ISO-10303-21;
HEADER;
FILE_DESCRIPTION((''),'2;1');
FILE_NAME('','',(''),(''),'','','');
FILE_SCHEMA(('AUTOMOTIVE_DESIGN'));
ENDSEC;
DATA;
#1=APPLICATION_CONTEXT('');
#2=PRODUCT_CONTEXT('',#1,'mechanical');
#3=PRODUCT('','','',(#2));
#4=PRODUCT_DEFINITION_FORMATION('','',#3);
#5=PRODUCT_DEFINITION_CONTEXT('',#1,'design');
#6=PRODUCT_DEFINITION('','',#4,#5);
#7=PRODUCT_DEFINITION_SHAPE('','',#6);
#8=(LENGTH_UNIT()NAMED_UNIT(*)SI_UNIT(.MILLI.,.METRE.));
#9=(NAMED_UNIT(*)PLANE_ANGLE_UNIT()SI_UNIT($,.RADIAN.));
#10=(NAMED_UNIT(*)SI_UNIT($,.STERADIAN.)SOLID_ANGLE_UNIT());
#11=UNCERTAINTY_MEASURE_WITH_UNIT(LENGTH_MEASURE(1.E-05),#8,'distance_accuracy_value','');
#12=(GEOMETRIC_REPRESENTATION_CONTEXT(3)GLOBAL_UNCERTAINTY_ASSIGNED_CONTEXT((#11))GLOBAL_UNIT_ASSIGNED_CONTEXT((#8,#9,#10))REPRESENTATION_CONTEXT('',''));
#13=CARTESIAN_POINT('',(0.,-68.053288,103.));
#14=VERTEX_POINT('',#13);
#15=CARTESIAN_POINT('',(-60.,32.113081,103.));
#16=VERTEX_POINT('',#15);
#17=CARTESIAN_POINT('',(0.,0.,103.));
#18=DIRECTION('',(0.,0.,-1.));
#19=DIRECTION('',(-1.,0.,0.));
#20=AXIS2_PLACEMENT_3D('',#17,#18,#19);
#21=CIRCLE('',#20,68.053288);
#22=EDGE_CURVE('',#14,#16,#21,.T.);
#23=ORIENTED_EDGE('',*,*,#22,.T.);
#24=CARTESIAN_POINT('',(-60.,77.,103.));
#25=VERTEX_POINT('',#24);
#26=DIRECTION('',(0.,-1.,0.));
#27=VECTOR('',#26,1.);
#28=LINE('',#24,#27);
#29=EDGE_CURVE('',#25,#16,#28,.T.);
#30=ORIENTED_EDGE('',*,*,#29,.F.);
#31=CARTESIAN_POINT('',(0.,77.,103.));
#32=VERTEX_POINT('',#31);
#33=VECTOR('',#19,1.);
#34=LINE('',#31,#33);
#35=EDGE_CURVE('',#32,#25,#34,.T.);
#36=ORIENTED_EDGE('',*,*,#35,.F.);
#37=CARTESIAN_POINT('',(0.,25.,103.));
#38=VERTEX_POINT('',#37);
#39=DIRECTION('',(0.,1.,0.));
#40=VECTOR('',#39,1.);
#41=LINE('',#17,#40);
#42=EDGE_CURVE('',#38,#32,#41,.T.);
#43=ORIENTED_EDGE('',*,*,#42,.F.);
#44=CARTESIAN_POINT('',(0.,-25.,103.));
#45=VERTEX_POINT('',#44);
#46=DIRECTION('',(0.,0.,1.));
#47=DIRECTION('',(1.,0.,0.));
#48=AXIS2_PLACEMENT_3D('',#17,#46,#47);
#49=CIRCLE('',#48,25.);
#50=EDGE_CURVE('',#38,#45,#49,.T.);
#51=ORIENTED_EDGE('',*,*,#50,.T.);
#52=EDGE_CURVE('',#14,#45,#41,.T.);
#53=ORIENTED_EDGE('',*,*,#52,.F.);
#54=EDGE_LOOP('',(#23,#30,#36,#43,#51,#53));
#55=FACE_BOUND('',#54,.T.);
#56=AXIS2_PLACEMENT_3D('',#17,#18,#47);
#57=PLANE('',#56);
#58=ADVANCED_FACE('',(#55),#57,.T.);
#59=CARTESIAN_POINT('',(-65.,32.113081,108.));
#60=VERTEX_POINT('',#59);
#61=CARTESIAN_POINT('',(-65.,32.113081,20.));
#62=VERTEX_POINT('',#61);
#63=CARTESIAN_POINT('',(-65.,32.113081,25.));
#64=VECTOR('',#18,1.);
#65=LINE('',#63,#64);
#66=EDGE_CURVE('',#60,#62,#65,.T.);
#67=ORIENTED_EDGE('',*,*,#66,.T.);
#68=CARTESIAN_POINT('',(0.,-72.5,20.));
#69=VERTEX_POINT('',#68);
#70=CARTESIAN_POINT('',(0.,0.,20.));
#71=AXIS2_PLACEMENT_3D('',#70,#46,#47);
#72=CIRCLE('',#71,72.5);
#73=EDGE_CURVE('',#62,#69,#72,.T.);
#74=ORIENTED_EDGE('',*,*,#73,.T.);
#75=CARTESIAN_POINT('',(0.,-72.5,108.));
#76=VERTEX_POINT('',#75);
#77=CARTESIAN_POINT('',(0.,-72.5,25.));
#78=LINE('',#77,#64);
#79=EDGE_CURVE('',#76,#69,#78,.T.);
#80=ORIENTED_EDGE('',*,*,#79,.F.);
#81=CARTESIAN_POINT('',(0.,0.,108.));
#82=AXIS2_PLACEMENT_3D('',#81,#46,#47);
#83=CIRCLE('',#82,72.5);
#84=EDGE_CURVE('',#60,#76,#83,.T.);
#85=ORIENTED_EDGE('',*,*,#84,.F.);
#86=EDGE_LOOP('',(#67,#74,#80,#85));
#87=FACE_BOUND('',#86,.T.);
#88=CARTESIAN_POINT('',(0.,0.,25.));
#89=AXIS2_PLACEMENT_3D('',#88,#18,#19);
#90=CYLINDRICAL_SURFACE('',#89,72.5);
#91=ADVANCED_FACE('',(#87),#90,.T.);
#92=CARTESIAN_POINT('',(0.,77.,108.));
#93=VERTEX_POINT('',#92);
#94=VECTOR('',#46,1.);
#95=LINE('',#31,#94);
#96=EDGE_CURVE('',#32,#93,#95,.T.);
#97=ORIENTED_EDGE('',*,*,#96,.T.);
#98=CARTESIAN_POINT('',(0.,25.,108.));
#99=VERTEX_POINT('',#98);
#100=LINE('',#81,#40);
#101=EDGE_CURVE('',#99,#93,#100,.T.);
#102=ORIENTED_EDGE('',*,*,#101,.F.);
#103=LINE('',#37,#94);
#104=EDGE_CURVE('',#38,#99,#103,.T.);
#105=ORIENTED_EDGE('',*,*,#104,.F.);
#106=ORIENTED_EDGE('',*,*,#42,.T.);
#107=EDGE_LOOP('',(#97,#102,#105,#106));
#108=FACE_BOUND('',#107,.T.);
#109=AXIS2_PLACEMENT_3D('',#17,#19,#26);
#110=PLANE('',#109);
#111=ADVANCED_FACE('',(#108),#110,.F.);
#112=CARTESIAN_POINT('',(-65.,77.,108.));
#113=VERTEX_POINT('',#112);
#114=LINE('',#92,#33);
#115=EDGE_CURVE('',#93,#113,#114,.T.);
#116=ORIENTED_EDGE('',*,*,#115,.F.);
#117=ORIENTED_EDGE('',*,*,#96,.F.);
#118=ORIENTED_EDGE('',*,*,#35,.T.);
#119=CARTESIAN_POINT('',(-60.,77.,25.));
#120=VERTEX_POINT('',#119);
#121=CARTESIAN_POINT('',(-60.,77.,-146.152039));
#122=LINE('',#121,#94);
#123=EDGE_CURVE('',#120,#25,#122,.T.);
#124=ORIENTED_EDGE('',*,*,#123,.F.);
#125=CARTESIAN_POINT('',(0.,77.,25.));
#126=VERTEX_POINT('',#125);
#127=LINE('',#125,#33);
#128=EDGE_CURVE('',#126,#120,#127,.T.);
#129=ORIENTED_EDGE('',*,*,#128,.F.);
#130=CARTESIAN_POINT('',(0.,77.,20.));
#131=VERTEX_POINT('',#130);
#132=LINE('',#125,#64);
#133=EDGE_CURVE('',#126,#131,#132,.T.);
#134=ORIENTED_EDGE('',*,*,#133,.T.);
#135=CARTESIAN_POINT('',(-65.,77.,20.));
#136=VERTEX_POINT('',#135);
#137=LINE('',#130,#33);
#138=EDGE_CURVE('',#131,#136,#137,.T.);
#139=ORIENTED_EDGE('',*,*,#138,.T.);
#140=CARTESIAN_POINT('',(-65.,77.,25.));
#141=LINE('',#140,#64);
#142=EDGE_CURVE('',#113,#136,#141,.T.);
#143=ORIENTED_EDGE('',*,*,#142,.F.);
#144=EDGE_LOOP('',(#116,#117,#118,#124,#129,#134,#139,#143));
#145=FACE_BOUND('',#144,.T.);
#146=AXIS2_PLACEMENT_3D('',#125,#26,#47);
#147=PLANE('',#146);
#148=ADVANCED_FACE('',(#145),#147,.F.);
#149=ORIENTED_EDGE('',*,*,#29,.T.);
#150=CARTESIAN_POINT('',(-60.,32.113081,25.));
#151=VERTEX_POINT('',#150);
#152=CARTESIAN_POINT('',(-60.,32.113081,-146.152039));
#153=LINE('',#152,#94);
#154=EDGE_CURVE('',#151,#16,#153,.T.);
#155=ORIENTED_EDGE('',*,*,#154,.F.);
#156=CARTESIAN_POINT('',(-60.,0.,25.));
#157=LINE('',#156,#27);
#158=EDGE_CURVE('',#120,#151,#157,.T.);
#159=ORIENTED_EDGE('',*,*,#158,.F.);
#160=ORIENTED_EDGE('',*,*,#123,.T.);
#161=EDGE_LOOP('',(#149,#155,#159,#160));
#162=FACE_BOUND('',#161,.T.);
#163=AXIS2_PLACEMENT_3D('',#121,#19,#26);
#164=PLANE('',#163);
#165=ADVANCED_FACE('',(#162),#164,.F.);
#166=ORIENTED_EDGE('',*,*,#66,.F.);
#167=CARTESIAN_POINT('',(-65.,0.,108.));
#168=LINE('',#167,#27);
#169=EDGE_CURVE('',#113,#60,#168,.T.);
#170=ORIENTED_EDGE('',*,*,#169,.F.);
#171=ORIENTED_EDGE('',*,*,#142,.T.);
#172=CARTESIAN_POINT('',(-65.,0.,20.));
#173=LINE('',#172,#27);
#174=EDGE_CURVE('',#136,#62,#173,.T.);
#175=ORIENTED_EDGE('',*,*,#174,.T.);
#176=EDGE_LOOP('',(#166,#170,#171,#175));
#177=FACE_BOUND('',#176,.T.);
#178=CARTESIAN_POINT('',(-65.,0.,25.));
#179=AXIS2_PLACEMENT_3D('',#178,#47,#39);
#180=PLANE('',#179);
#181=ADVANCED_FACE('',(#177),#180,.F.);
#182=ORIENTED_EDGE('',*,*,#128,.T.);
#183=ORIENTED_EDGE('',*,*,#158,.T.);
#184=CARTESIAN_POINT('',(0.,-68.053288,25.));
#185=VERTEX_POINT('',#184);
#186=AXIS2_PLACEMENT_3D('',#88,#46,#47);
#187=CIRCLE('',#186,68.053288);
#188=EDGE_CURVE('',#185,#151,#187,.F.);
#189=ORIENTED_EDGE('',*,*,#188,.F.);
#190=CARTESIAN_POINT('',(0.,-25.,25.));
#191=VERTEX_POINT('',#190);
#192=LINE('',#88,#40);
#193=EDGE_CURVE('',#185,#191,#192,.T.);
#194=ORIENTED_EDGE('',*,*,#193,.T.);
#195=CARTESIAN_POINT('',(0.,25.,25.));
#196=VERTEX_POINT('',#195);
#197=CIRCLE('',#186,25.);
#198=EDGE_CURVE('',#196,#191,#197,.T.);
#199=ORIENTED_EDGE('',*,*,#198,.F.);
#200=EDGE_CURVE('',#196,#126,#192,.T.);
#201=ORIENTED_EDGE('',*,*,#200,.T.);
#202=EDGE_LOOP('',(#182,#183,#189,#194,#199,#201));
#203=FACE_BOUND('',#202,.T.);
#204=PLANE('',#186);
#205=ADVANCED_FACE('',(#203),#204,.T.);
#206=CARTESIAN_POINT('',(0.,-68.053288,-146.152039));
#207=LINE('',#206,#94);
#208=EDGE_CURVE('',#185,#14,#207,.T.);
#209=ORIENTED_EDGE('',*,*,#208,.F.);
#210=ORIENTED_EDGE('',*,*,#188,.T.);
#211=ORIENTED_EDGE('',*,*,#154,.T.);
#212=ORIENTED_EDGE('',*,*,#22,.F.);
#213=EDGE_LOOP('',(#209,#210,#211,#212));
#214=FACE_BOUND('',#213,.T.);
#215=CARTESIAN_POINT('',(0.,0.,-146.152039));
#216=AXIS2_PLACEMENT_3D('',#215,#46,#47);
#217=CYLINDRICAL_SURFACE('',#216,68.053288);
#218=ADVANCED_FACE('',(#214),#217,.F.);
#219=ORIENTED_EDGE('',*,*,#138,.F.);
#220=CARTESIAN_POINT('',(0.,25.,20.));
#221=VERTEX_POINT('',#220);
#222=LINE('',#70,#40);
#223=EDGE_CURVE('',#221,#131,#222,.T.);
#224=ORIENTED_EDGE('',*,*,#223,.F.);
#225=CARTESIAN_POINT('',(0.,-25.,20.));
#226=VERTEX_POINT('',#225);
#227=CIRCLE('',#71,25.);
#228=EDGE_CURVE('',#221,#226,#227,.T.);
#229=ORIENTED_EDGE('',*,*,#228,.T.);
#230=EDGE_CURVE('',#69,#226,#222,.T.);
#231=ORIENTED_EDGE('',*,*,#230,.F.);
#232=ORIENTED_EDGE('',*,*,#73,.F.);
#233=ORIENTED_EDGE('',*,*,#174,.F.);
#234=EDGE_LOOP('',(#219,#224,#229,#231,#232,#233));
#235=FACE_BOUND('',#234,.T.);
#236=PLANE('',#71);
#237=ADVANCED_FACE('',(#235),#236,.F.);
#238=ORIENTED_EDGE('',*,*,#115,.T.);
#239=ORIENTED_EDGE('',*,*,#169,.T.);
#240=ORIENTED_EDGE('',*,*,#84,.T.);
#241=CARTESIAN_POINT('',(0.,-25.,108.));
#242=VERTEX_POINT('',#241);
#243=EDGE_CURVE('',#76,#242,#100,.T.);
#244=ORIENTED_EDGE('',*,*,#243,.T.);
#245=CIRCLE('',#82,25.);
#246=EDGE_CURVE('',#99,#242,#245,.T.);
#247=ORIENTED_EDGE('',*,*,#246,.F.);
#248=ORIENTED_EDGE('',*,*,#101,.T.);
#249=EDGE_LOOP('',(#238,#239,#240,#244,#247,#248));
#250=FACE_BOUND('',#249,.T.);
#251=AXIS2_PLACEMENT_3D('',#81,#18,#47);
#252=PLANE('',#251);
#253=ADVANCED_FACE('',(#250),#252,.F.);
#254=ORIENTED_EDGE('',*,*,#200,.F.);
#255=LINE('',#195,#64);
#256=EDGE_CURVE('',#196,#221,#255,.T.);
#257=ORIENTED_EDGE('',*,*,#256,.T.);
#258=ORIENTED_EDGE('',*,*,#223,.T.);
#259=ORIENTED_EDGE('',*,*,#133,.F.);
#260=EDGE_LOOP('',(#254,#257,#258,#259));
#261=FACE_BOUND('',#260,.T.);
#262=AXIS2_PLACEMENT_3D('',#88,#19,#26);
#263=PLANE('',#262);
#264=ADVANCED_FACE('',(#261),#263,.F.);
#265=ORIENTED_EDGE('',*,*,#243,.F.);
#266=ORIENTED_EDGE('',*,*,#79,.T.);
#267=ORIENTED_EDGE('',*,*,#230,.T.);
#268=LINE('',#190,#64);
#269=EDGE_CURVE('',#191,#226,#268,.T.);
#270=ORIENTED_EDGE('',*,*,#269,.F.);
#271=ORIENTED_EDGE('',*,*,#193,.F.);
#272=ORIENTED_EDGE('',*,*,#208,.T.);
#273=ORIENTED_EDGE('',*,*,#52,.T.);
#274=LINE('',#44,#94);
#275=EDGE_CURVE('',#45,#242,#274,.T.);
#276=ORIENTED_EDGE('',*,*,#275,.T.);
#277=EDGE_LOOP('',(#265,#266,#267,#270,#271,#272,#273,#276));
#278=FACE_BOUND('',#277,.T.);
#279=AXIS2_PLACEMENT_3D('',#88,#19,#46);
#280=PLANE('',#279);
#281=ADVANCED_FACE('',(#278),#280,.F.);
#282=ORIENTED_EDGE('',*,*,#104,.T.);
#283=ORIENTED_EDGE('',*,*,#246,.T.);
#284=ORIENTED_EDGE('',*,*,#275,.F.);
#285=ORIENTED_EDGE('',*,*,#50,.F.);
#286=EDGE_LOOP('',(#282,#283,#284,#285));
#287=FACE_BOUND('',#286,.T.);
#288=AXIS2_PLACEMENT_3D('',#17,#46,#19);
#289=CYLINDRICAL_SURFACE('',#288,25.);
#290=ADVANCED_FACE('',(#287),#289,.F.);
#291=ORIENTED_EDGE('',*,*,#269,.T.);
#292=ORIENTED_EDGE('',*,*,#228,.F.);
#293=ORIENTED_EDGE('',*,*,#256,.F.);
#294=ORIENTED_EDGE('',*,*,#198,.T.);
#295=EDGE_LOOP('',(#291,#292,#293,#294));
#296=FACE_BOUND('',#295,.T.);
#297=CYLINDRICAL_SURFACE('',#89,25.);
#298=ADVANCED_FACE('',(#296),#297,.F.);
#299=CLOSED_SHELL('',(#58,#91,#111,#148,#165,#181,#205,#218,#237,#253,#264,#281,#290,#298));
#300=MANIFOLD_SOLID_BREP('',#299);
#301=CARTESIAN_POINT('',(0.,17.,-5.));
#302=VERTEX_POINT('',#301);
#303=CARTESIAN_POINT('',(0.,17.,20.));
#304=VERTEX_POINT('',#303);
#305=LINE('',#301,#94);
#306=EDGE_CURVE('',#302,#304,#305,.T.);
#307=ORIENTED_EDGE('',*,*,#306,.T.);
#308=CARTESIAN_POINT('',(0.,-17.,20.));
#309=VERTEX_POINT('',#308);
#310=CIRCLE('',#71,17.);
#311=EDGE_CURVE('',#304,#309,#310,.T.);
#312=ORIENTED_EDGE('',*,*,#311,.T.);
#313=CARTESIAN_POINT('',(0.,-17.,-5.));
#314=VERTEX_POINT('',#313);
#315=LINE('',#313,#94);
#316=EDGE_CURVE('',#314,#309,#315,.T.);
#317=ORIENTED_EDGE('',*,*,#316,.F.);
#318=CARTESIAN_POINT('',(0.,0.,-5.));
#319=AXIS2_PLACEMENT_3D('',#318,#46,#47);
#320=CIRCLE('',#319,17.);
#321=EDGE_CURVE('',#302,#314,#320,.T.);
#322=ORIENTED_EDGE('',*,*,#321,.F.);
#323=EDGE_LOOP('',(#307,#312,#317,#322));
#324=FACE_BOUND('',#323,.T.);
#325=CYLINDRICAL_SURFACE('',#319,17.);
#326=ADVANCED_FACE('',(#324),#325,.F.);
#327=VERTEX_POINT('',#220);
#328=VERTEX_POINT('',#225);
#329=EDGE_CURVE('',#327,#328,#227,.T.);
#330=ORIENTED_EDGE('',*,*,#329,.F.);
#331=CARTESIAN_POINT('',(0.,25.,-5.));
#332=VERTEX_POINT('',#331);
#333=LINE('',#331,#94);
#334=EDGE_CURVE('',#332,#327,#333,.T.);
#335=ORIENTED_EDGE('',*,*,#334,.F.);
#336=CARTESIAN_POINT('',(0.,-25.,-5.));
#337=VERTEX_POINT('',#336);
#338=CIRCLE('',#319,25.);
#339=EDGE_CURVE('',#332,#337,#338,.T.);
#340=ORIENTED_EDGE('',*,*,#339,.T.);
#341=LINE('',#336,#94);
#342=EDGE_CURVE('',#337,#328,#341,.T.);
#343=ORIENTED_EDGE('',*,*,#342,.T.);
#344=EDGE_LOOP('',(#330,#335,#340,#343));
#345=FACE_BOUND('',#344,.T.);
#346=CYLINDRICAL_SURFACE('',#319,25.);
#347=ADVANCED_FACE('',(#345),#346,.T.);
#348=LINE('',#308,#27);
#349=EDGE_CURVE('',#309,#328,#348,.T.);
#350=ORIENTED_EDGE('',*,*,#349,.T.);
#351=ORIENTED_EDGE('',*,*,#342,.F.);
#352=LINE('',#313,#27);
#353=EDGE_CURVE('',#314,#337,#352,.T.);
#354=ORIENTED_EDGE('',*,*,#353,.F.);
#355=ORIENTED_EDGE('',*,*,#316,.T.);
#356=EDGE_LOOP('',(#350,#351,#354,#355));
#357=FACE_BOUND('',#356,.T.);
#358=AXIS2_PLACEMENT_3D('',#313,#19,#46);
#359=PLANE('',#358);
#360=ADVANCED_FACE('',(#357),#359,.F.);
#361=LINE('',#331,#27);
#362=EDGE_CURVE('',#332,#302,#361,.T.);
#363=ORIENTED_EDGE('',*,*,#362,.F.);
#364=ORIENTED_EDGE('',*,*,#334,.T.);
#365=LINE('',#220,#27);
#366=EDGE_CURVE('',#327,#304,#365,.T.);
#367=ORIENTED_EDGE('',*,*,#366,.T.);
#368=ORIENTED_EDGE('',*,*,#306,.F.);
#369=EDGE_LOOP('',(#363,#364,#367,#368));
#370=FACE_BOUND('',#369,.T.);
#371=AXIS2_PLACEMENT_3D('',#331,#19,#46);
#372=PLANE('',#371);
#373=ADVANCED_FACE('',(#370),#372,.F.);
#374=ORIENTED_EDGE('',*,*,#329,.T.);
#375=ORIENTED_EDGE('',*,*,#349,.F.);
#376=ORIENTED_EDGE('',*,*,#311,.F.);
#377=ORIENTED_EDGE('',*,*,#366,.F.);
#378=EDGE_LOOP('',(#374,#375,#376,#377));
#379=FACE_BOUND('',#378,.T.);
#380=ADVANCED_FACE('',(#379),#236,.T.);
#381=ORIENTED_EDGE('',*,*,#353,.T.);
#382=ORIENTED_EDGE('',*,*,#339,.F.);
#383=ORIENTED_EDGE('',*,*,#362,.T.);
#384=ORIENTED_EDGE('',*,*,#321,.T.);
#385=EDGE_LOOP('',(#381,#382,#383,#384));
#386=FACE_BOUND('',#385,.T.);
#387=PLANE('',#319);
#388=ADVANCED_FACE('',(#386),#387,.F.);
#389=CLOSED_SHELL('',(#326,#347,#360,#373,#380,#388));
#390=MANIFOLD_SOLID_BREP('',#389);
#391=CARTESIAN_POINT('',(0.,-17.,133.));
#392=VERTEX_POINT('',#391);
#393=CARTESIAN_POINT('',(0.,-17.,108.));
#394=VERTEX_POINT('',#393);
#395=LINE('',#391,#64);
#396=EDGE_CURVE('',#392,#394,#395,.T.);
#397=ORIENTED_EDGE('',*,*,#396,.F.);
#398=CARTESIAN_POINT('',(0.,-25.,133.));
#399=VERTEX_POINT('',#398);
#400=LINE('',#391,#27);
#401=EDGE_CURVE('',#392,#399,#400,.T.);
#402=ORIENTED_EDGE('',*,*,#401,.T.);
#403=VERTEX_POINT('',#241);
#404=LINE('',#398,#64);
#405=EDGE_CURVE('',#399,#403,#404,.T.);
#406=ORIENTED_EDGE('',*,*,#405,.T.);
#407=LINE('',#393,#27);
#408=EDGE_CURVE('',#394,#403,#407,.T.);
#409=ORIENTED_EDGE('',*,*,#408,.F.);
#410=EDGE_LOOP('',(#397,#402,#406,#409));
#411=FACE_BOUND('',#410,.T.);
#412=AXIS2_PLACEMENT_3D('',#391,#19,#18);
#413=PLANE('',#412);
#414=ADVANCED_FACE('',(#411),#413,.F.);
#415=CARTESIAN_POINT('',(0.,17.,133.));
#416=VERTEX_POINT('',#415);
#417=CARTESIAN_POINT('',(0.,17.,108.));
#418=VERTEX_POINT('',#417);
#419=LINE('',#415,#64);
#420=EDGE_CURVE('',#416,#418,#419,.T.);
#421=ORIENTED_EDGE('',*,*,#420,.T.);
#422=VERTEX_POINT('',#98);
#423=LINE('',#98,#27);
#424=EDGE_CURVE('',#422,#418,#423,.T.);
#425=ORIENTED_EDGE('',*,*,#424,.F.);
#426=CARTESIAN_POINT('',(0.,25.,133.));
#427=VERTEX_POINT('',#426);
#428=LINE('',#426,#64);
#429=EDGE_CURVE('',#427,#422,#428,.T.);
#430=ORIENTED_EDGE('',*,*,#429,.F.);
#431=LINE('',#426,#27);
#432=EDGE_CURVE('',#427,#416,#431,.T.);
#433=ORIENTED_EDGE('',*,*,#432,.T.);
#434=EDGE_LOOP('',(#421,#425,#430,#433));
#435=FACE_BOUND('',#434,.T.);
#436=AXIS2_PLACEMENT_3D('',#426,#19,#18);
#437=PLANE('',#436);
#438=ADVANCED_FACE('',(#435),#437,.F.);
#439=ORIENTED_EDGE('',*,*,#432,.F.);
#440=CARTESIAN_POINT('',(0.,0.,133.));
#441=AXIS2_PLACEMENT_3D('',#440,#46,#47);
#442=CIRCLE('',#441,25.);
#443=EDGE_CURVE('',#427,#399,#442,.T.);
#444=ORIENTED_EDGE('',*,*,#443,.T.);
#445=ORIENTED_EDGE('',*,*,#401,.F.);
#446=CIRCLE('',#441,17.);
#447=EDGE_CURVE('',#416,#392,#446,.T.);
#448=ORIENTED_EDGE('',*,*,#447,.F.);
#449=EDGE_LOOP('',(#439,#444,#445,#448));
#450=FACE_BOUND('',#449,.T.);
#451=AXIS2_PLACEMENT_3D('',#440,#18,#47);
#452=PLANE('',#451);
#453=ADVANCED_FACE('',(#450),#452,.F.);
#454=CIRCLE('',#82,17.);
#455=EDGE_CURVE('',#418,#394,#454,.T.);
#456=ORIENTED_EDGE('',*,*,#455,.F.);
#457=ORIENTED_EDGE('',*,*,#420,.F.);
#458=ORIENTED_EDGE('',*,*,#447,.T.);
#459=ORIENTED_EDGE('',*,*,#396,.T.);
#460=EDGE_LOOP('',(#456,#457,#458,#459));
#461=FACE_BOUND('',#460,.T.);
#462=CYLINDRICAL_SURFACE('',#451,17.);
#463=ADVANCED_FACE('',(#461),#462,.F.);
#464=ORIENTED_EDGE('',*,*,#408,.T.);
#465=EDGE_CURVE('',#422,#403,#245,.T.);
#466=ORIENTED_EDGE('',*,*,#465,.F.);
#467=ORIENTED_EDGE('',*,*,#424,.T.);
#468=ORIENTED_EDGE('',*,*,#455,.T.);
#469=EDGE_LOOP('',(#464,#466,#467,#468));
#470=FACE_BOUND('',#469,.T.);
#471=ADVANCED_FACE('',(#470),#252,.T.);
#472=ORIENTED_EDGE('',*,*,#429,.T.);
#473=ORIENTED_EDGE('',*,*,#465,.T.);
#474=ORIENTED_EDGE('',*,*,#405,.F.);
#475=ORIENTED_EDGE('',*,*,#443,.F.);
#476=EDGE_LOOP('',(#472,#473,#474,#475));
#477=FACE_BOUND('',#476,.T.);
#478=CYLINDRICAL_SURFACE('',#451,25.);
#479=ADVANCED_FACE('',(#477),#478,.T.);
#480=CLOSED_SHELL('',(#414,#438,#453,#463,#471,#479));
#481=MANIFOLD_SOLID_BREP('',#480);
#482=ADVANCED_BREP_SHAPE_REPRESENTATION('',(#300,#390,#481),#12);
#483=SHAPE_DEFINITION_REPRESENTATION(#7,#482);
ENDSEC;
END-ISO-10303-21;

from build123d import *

# Parameters (mm, degrees)
BOSS_EXTRUDE1_DEPTH      = 20
BOSS_EXTRUDE1_DEPTH_BACK = 5
BOSS_EXTRUDE2_DEPTH      = 5
BOSS_EXTRUDE3_DEPTH      = 78


with BuildPart() as part:
    # Sketch1 → Boss-Extrude1 (new, two sides: drawn at the far end of the back side and taken through both)
    with BuildSketch(Plane.XY.offset(-BOSS_EXTRUDE1_DEPTH_BACK)):
        with BuildLine():
            Line((0, 25), (0, 17))
            ThreePointArc((0, 17), (-17, 0), (0, -17))
            Line((0, -17), (0, -25))
            ThreePointArc((0, -25), (-25, 0), (0, 25))
        make_face()
    extrude(amount=BOSS_EXTRUDE1_DEPTH + BOSS_EXTRUDE1_DEPTH_BACK)


with BuildPart() as body_2:
    # Sketch2 → Boss-Extrude2 (new body)
    with BuildSketch(Plane.XY.offset(20)):
        with BuildLine():
            ThreePointArc((-65, 32.113081447), (-61.581037686, -38.262590053), (0, -72.5))
            Line((0, -72.5), (0, -34.821630737))
            Line((0, -34.821630737), (0, -25))
            ThreePointArc((0, -25), (-25, 0), (0, 25))
            Line((0, 25), (0, 77))
            Line((0, 77), (-65, 77))
            Line((-65, 77), (-65, 32.113081447))
        make_face()
    extrude(amount=BOSS_EXTRUDE2_DEPTH)


with BuildPart() as body_3:
    # Mirror5: mirrored copy
    add(body_2.part.mirror(Plane(origin=(0, 0, 64), x_dir=(1, 0, 0), z_dir=(0, 0, -1))))


with BuildPart() as body_4:
    # Mirror5 2: mirrored copy
    add(part.part.mirror(Plane(origin=(0, 0, 64), x_dir=(1, 0, 0), z_dir=(0, 0, -1))))


with BuildPart() as body_2_1:
    add(body_2.part)

    add(body_3.part)  # Boss-Extrude3 merges body 3
    # Sketch6 → Boss-Extrude3 (add)
    with BuildSketch(Plane(origin=(0, 0, 103), x_dir=(-1, 0, 0), z_dir=(0, 0, -1))):
        with BuildLine():
            Line((65, 32.113081447), (65, 77))
            Line((65, 77), (60, 77))
            Line((60, 77), (60, 32.113081447))
            ThreePointArc((60, 32.113081447), (58.380864924, -34.970339014), (0, -68.053287944))
            Line((0, -68.053287944), (0, -72.5))
            ThreePointArc((0, -72.5), (61.581037686, -38.262590053), (65, 32.113081447))
        make_face()
    extrude(amount=BOSS_EXTRUDE3_DEPTH)


solid = Compound([part.part, body_4.part, body_2_1.part])
